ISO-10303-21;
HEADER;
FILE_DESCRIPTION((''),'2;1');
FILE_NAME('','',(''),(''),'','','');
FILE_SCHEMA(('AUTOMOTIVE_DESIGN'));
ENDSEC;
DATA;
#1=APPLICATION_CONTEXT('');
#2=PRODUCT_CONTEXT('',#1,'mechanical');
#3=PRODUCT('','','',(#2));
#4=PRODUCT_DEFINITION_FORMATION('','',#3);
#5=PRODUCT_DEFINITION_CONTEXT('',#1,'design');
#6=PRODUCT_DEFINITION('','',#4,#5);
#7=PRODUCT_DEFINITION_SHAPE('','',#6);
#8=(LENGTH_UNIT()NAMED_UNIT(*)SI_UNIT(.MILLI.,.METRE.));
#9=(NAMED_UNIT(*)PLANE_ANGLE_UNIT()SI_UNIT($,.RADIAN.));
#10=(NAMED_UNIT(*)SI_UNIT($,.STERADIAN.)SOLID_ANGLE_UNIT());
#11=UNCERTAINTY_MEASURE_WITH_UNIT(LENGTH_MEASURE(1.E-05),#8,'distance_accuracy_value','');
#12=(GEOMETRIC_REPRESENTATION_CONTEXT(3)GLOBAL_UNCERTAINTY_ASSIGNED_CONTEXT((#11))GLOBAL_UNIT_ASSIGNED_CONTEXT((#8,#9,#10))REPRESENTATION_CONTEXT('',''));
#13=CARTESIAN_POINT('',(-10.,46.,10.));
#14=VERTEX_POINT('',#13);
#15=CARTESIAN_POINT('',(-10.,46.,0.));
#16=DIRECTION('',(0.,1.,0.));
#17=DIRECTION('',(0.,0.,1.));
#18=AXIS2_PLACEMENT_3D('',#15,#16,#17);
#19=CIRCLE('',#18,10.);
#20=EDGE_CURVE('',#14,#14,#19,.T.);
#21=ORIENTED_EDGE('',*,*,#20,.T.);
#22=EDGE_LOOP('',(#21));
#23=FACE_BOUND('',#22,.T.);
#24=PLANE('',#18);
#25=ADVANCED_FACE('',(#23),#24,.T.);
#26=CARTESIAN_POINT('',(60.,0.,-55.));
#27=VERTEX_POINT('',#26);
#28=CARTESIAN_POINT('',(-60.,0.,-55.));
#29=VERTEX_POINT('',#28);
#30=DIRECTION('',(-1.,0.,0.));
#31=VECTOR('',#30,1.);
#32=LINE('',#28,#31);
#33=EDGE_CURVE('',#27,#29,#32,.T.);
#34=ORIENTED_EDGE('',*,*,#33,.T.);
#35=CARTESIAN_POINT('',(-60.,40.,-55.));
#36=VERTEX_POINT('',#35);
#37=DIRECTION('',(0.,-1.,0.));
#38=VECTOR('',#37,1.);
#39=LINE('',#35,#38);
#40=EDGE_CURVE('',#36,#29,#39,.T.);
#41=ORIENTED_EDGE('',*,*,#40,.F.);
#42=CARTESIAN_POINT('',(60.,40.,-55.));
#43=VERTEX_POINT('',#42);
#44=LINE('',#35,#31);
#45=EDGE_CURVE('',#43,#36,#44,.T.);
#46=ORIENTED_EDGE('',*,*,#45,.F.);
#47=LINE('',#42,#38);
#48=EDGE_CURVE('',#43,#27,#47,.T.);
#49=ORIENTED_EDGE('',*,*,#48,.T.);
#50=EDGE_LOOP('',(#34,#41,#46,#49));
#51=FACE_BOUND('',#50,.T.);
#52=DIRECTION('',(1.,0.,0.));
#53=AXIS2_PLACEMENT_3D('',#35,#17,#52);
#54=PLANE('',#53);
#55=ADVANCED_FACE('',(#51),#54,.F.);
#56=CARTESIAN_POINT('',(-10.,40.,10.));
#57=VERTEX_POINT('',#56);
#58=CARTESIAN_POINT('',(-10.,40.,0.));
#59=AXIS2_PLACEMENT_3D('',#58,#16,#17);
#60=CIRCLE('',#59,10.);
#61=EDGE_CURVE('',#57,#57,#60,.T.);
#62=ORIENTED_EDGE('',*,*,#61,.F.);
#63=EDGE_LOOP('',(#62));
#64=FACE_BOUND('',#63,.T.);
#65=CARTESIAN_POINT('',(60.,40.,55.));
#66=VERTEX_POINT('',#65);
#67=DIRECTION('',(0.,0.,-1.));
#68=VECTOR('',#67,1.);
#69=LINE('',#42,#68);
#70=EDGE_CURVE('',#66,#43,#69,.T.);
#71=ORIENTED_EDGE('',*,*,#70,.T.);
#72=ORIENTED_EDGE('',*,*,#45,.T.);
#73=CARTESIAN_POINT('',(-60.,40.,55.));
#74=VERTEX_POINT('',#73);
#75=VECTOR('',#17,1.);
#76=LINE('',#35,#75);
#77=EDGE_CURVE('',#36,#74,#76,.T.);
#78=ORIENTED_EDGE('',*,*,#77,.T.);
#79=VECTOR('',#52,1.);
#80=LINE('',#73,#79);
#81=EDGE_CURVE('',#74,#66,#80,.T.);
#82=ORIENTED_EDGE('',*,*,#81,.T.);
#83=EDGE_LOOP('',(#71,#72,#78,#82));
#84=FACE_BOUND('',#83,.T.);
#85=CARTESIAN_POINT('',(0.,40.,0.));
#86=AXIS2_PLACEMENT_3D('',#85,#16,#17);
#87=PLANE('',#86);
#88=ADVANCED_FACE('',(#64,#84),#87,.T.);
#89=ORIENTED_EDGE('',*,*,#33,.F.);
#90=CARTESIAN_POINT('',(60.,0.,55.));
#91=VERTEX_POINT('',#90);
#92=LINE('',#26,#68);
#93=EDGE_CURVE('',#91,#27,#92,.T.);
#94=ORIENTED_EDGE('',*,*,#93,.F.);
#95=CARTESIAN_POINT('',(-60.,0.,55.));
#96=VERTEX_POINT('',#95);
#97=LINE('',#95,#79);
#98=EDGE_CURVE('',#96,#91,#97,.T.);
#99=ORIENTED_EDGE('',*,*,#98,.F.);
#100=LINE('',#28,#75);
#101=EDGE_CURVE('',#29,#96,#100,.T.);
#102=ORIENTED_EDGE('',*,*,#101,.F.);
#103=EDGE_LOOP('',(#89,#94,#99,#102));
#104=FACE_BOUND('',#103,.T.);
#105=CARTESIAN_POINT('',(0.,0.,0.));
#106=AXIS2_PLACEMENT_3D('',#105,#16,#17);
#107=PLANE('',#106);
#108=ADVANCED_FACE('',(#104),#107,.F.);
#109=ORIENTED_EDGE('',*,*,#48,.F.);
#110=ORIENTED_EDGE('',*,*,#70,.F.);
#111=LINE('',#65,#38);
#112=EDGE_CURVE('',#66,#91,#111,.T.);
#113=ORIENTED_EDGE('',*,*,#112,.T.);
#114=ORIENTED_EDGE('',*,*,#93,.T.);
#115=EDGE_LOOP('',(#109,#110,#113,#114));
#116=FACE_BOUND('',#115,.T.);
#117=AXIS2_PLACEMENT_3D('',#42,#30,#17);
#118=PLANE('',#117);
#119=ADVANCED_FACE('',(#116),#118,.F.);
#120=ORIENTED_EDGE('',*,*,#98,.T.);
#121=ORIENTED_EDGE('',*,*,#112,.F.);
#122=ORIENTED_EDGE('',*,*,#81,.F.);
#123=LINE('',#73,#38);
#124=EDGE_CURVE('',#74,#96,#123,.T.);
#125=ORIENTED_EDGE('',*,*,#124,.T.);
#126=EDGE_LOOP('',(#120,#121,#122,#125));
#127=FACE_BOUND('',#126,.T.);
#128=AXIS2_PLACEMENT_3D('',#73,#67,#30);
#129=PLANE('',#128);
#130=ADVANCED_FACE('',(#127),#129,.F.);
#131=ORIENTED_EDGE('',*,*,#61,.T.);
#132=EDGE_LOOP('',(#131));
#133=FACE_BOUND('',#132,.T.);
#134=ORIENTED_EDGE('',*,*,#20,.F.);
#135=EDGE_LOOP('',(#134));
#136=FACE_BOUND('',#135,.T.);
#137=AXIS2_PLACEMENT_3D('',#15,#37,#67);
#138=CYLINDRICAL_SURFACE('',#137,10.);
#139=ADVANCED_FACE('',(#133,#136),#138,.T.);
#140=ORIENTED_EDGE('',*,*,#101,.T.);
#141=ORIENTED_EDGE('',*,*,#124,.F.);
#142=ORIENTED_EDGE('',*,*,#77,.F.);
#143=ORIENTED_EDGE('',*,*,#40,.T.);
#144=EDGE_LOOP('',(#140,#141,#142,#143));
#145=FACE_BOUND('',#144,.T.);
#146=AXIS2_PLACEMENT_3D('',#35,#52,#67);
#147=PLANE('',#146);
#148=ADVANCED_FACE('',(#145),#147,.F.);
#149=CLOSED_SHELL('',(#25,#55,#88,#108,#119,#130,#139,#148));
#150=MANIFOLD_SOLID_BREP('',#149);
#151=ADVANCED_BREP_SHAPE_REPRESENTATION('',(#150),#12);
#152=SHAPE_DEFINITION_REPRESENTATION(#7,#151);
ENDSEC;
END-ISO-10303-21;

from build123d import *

# Parameters (mm, degrees)
SKETCH1_W           = 120
SKETCH1_H           = 110
BOSS_EXTRUDE1_DEPTH = 40
SKETCH2_R           = 10
BOSS_EXTRUDE2_DEPTH = 6


with BuildPart() as part:
    # Sketch1 → Boss-Extrude1 (new body)
    with BuildSketch(Plane(origin=(0, 0, 0), x_dir=(1, 0, 0), z_dir=(0, 1, 0))):
        Rectangle(SKETCH1_W, SKETCH1_H)
    extrude(amount=BOSS_EXTRUDE1_DEPTH)

    # Sketch2 → Boss-Extrude2 (add)
    with BuildSketch(Plane(origin=(0, 40, 0), x_dir=(1, 0, 0), z_dir=(0, 1, 0))):
        with Locations(Location((-10, 0, 0), (0, 0, 270))):
            Circle(SKETCH2_R)
    extrude(amount=BOSS_EXTRUDE2_DEPTH)


solid = part.part
